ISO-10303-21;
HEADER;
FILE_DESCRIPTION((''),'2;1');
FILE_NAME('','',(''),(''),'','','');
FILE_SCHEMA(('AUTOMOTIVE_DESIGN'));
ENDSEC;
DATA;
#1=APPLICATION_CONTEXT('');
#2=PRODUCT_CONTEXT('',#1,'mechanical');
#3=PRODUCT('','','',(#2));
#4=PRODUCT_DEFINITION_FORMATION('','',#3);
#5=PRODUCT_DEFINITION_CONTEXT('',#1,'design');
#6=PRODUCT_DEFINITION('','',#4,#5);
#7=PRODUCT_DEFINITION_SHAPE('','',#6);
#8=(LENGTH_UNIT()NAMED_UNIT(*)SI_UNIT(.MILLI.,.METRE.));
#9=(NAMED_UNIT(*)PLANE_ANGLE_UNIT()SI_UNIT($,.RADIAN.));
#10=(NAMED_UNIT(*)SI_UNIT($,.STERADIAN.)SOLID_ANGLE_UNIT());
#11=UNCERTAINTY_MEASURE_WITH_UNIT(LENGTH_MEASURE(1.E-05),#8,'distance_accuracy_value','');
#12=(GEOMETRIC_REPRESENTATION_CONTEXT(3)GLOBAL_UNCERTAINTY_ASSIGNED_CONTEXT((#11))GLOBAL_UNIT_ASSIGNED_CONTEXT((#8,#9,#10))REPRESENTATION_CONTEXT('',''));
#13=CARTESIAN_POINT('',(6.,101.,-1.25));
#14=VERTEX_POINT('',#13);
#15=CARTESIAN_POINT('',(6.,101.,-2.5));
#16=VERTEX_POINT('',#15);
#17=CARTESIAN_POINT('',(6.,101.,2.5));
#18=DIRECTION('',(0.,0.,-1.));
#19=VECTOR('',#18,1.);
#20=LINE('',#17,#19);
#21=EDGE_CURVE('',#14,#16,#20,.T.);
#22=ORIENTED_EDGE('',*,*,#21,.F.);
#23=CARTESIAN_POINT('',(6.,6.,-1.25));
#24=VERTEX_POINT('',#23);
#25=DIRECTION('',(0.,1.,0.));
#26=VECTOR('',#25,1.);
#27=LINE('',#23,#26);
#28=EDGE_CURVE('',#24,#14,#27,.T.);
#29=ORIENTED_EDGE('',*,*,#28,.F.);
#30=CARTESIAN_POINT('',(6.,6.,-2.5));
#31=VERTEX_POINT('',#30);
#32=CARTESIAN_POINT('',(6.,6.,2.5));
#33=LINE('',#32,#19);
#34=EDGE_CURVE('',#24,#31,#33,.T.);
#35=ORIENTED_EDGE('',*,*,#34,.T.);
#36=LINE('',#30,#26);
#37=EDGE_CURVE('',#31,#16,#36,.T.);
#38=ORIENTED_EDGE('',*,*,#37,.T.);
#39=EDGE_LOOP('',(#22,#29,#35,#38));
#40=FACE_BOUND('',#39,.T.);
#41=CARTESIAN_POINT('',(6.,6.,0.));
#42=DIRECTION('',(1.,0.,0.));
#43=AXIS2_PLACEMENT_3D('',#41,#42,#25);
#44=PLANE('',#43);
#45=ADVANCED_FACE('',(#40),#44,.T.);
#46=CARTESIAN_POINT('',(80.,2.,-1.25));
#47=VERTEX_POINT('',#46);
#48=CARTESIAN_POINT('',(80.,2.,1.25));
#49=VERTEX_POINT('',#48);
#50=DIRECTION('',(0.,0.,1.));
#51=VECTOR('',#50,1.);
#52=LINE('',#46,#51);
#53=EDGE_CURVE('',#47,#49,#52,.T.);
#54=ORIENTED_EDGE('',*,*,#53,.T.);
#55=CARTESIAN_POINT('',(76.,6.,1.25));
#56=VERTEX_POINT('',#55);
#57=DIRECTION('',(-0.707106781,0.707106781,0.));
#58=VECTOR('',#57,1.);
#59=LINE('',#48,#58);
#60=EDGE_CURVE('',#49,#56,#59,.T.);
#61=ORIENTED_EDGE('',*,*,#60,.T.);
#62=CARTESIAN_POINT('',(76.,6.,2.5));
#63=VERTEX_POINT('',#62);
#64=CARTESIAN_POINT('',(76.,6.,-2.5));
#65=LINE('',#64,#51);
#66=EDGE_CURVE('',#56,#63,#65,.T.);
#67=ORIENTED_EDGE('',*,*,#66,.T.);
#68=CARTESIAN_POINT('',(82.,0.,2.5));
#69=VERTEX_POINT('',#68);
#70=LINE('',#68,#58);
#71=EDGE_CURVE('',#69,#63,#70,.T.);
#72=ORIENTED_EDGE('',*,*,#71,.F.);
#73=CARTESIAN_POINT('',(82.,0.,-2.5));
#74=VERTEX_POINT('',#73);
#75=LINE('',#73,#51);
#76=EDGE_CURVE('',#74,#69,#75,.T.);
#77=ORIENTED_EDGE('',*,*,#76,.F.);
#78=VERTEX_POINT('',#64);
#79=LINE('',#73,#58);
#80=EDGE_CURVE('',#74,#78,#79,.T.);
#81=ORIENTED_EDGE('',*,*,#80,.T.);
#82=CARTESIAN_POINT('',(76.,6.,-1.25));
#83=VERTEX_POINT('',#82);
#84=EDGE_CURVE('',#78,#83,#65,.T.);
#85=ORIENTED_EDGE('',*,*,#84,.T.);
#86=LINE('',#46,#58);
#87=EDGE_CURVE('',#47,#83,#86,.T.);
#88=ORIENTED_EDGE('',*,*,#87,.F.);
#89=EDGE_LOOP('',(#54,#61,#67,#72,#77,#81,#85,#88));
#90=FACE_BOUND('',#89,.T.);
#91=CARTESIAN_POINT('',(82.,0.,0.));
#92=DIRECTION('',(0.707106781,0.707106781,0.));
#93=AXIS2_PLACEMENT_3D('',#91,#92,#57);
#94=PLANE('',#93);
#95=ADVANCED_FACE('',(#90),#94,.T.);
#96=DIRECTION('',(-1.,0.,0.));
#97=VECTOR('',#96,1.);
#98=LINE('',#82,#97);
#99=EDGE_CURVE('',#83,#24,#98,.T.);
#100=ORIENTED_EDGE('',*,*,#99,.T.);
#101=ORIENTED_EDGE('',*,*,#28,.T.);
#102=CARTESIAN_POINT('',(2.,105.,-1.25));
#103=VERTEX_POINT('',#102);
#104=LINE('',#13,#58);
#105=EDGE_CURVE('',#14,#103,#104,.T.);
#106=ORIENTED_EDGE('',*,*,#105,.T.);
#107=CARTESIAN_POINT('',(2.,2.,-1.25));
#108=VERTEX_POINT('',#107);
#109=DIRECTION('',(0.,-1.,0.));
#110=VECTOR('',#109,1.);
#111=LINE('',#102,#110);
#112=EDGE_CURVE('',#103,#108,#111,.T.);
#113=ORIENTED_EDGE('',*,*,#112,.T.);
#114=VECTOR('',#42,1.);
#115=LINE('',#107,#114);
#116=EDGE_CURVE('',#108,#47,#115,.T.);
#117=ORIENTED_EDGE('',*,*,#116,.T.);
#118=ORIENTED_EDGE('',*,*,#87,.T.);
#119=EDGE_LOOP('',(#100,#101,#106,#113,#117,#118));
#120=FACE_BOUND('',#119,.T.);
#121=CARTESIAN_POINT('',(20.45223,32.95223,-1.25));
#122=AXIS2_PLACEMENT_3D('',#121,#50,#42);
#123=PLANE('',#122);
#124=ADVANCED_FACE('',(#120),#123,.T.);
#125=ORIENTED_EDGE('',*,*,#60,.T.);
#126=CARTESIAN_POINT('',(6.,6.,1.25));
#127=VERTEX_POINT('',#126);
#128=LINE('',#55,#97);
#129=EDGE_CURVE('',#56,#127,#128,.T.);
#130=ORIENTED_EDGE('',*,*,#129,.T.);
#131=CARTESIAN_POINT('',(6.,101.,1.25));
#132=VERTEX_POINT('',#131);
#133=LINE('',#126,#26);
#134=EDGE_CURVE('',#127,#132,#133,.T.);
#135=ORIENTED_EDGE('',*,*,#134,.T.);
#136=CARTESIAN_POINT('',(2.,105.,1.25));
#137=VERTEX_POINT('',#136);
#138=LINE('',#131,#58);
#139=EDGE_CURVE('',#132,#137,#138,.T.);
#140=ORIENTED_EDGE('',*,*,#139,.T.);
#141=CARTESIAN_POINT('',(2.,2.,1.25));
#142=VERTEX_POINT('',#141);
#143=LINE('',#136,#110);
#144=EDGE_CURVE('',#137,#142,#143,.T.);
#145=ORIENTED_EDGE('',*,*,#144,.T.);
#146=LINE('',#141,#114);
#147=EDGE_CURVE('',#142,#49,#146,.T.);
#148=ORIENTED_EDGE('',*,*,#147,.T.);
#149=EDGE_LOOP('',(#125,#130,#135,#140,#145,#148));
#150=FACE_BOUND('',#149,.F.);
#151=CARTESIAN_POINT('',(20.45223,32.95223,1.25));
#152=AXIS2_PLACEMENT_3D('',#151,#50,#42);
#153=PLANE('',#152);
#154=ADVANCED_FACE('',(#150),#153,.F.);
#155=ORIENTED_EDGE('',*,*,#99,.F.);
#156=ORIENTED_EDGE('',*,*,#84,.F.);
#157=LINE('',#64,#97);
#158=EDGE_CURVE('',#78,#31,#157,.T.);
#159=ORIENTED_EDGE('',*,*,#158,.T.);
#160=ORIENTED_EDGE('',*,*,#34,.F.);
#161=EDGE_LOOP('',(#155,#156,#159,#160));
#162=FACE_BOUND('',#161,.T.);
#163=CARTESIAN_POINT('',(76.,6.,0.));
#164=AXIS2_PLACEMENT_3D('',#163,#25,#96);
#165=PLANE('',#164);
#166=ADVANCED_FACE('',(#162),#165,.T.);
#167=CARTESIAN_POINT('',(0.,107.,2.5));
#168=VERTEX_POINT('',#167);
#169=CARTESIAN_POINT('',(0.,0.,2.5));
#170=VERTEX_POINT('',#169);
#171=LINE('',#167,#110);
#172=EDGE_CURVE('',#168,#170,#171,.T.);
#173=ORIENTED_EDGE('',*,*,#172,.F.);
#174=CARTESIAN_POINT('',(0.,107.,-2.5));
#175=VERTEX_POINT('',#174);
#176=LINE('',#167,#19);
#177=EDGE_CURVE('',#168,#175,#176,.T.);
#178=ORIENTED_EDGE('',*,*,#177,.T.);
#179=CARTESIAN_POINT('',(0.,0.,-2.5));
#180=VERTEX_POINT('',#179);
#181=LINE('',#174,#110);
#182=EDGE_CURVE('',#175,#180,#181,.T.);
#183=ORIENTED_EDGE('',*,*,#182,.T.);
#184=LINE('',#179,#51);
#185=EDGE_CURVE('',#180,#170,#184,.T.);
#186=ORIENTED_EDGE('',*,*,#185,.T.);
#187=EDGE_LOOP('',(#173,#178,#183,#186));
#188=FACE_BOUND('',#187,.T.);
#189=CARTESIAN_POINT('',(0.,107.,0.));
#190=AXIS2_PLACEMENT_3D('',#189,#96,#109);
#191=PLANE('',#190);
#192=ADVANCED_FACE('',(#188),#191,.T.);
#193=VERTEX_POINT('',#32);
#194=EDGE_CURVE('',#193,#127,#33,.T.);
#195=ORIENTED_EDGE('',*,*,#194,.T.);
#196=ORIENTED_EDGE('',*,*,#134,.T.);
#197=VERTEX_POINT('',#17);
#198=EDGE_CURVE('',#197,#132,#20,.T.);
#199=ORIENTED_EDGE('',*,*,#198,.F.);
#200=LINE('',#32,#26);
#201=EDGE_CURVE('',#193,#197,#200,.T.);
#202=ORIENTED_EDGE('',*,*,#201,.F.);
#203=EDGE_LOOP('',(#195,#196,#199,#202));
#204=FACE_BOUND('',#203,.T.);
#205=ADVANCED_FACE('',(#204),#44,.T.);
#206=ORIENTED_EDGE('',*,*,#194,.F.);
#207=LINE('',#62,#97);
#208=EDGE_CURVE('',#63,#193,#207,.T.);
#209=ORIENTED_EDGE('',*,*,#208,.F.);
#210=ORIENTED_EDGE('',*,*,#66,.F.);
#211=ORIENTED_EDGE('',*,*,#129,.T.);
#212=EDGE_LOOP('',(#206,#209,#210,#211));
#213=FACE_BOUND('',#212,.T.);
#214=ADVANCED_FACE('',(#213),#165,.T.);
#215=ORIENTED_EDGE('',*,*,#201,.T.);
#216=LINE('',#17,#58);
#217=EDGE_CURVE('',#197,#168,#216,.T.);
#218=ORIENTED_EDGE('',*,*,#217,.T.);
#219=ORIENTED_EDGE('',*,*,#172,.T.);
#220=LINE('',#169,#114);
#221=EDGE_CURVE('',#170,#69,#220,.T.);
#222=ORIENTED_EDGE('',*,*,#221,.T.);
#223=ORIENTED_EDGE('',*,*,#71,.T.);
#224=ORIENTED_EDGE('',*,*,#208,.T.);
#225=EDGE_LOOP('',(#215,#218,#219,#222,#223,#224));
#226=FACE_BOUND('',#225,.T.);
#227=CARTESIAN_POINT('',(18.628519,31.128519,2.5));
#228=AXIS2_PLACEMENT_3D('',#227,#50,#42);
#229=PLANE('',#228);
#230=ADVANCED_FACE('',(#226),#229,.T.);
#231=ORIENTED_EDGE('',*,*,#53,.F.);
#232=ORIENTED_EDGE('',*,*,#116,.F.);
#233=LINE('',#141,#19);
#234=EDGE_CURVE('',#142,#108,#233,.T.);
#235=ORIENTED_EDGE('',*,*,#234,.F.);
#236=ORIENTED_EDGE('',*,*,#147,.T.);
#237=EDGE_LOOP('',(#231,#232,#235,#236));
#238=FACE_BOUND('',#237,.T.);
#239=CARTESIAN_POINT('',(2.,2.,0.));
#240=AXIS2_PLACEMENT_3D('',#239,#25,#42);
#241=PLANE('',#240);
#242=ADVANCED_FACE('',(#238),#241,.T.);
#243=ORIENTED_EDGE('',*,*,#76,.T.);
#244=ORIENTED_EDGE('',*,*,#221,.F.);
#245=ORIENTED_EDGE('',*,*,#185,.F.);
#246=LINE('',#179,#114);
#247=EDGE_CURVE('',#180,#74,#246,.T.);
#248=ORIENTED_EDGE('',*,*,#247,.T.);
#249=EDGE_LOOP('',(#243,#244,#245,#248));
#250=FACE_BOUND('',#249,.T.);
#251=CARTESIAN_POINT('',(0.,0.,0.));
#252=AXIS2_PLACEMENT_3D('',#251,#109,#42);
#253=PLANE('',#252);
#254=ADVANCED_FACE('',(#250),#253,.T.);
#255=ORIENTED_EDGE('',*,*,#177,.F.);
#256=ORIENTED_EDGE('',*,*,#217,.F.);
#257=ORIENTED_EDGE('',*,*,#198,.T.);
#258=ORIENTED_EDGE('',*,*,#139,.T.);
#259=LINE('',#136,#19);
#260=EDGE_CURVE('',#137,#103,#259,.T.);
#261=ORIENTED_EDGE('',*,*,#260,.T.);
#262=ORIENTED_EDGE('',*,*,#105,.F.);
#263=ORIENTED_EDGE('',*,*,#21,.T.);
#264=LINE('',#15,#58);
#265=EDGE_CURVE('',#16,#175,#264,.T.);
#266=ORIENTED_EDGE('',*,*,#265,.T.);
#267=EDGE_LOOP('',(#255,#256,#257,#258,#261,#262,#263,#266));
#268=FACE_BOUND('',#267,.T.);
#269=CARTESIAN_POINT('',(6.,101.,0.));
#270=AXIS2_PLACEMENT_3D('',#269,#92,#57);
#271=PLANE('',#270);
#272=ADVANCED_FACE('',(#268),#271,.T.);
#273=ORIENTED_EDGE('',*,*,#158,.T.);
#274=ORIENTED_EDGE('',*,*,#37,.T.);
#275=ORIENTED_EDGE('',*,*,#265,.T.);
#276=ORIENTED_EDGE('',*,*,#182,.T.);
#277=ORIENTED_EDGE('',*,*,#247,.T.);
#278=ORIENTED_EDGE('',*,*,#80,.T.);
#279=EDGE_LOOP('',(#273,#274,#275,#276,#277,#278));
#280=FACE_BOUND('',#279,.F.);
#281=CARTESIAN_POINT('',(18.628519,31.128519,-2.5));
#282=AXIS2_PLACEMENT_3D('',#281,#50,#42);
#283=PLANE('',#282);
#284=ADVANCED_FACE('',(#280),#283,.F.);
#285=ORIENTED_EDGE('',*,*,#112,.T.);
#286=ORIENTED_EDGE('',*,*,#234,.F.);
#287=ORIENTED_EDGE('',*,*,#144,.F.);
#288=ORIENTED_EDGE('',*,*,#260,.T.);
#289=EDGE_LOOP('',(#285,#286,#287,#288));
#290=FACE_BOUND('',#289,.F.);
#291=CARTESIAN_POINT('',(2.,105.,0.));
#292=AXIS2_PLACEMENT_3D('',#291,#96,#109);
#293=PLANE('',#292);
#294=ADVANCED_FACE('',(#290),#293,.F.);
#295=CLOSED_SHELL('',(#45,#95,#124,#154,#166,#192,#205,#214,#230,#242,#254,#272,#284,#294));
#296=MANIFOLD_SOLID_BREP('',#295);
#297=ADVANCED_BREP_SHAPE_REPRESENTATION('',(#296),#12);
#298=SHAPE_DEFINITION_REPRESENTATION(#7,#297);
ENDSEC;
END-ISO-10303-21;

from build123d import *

# Parameters (mm, degrees)
F1_DEPTH      = 2.5
F1_DEPTH_BACK = 2.5
F2_DEPTH      = 1.25
F2_DEPTH_BACK = 1.25


with BuildPart() as f1:
    # F0 (on Top) → F1 (new body, two sides)
    with BuildSketch(Plane.XY) as f1_sk:
        Polygon((0, 107), (0, 0), (82, 0), (80, 2), (2, 2), (2, 105), align=None)
        Polygon((6, 101), (2, 105), (2, 2), (80, 2), (76, 6), (6, 6), align=None)
    extrude(amount=F1_DEPTH)
    extrude(f1_sk.sketch, amount=-F1_DEPTH_BACK)

    # F0 (on Top) → F2 (cut, two sides)
    with BuildSketch(Plane.XY) as f2_sk:
        Polygon((6, 101), (2, 105), (2, 2), (80, 2), (76, 6), (6, 6), align=None)
    extrude(amount=-F2_DEPTH, mode=Mode.SUBTRACT)
    extrude(f2_sk.sketch, amount=F2_DEPTH_BACK, mode=Mode.SUBTRACT)


solid = f1.part
